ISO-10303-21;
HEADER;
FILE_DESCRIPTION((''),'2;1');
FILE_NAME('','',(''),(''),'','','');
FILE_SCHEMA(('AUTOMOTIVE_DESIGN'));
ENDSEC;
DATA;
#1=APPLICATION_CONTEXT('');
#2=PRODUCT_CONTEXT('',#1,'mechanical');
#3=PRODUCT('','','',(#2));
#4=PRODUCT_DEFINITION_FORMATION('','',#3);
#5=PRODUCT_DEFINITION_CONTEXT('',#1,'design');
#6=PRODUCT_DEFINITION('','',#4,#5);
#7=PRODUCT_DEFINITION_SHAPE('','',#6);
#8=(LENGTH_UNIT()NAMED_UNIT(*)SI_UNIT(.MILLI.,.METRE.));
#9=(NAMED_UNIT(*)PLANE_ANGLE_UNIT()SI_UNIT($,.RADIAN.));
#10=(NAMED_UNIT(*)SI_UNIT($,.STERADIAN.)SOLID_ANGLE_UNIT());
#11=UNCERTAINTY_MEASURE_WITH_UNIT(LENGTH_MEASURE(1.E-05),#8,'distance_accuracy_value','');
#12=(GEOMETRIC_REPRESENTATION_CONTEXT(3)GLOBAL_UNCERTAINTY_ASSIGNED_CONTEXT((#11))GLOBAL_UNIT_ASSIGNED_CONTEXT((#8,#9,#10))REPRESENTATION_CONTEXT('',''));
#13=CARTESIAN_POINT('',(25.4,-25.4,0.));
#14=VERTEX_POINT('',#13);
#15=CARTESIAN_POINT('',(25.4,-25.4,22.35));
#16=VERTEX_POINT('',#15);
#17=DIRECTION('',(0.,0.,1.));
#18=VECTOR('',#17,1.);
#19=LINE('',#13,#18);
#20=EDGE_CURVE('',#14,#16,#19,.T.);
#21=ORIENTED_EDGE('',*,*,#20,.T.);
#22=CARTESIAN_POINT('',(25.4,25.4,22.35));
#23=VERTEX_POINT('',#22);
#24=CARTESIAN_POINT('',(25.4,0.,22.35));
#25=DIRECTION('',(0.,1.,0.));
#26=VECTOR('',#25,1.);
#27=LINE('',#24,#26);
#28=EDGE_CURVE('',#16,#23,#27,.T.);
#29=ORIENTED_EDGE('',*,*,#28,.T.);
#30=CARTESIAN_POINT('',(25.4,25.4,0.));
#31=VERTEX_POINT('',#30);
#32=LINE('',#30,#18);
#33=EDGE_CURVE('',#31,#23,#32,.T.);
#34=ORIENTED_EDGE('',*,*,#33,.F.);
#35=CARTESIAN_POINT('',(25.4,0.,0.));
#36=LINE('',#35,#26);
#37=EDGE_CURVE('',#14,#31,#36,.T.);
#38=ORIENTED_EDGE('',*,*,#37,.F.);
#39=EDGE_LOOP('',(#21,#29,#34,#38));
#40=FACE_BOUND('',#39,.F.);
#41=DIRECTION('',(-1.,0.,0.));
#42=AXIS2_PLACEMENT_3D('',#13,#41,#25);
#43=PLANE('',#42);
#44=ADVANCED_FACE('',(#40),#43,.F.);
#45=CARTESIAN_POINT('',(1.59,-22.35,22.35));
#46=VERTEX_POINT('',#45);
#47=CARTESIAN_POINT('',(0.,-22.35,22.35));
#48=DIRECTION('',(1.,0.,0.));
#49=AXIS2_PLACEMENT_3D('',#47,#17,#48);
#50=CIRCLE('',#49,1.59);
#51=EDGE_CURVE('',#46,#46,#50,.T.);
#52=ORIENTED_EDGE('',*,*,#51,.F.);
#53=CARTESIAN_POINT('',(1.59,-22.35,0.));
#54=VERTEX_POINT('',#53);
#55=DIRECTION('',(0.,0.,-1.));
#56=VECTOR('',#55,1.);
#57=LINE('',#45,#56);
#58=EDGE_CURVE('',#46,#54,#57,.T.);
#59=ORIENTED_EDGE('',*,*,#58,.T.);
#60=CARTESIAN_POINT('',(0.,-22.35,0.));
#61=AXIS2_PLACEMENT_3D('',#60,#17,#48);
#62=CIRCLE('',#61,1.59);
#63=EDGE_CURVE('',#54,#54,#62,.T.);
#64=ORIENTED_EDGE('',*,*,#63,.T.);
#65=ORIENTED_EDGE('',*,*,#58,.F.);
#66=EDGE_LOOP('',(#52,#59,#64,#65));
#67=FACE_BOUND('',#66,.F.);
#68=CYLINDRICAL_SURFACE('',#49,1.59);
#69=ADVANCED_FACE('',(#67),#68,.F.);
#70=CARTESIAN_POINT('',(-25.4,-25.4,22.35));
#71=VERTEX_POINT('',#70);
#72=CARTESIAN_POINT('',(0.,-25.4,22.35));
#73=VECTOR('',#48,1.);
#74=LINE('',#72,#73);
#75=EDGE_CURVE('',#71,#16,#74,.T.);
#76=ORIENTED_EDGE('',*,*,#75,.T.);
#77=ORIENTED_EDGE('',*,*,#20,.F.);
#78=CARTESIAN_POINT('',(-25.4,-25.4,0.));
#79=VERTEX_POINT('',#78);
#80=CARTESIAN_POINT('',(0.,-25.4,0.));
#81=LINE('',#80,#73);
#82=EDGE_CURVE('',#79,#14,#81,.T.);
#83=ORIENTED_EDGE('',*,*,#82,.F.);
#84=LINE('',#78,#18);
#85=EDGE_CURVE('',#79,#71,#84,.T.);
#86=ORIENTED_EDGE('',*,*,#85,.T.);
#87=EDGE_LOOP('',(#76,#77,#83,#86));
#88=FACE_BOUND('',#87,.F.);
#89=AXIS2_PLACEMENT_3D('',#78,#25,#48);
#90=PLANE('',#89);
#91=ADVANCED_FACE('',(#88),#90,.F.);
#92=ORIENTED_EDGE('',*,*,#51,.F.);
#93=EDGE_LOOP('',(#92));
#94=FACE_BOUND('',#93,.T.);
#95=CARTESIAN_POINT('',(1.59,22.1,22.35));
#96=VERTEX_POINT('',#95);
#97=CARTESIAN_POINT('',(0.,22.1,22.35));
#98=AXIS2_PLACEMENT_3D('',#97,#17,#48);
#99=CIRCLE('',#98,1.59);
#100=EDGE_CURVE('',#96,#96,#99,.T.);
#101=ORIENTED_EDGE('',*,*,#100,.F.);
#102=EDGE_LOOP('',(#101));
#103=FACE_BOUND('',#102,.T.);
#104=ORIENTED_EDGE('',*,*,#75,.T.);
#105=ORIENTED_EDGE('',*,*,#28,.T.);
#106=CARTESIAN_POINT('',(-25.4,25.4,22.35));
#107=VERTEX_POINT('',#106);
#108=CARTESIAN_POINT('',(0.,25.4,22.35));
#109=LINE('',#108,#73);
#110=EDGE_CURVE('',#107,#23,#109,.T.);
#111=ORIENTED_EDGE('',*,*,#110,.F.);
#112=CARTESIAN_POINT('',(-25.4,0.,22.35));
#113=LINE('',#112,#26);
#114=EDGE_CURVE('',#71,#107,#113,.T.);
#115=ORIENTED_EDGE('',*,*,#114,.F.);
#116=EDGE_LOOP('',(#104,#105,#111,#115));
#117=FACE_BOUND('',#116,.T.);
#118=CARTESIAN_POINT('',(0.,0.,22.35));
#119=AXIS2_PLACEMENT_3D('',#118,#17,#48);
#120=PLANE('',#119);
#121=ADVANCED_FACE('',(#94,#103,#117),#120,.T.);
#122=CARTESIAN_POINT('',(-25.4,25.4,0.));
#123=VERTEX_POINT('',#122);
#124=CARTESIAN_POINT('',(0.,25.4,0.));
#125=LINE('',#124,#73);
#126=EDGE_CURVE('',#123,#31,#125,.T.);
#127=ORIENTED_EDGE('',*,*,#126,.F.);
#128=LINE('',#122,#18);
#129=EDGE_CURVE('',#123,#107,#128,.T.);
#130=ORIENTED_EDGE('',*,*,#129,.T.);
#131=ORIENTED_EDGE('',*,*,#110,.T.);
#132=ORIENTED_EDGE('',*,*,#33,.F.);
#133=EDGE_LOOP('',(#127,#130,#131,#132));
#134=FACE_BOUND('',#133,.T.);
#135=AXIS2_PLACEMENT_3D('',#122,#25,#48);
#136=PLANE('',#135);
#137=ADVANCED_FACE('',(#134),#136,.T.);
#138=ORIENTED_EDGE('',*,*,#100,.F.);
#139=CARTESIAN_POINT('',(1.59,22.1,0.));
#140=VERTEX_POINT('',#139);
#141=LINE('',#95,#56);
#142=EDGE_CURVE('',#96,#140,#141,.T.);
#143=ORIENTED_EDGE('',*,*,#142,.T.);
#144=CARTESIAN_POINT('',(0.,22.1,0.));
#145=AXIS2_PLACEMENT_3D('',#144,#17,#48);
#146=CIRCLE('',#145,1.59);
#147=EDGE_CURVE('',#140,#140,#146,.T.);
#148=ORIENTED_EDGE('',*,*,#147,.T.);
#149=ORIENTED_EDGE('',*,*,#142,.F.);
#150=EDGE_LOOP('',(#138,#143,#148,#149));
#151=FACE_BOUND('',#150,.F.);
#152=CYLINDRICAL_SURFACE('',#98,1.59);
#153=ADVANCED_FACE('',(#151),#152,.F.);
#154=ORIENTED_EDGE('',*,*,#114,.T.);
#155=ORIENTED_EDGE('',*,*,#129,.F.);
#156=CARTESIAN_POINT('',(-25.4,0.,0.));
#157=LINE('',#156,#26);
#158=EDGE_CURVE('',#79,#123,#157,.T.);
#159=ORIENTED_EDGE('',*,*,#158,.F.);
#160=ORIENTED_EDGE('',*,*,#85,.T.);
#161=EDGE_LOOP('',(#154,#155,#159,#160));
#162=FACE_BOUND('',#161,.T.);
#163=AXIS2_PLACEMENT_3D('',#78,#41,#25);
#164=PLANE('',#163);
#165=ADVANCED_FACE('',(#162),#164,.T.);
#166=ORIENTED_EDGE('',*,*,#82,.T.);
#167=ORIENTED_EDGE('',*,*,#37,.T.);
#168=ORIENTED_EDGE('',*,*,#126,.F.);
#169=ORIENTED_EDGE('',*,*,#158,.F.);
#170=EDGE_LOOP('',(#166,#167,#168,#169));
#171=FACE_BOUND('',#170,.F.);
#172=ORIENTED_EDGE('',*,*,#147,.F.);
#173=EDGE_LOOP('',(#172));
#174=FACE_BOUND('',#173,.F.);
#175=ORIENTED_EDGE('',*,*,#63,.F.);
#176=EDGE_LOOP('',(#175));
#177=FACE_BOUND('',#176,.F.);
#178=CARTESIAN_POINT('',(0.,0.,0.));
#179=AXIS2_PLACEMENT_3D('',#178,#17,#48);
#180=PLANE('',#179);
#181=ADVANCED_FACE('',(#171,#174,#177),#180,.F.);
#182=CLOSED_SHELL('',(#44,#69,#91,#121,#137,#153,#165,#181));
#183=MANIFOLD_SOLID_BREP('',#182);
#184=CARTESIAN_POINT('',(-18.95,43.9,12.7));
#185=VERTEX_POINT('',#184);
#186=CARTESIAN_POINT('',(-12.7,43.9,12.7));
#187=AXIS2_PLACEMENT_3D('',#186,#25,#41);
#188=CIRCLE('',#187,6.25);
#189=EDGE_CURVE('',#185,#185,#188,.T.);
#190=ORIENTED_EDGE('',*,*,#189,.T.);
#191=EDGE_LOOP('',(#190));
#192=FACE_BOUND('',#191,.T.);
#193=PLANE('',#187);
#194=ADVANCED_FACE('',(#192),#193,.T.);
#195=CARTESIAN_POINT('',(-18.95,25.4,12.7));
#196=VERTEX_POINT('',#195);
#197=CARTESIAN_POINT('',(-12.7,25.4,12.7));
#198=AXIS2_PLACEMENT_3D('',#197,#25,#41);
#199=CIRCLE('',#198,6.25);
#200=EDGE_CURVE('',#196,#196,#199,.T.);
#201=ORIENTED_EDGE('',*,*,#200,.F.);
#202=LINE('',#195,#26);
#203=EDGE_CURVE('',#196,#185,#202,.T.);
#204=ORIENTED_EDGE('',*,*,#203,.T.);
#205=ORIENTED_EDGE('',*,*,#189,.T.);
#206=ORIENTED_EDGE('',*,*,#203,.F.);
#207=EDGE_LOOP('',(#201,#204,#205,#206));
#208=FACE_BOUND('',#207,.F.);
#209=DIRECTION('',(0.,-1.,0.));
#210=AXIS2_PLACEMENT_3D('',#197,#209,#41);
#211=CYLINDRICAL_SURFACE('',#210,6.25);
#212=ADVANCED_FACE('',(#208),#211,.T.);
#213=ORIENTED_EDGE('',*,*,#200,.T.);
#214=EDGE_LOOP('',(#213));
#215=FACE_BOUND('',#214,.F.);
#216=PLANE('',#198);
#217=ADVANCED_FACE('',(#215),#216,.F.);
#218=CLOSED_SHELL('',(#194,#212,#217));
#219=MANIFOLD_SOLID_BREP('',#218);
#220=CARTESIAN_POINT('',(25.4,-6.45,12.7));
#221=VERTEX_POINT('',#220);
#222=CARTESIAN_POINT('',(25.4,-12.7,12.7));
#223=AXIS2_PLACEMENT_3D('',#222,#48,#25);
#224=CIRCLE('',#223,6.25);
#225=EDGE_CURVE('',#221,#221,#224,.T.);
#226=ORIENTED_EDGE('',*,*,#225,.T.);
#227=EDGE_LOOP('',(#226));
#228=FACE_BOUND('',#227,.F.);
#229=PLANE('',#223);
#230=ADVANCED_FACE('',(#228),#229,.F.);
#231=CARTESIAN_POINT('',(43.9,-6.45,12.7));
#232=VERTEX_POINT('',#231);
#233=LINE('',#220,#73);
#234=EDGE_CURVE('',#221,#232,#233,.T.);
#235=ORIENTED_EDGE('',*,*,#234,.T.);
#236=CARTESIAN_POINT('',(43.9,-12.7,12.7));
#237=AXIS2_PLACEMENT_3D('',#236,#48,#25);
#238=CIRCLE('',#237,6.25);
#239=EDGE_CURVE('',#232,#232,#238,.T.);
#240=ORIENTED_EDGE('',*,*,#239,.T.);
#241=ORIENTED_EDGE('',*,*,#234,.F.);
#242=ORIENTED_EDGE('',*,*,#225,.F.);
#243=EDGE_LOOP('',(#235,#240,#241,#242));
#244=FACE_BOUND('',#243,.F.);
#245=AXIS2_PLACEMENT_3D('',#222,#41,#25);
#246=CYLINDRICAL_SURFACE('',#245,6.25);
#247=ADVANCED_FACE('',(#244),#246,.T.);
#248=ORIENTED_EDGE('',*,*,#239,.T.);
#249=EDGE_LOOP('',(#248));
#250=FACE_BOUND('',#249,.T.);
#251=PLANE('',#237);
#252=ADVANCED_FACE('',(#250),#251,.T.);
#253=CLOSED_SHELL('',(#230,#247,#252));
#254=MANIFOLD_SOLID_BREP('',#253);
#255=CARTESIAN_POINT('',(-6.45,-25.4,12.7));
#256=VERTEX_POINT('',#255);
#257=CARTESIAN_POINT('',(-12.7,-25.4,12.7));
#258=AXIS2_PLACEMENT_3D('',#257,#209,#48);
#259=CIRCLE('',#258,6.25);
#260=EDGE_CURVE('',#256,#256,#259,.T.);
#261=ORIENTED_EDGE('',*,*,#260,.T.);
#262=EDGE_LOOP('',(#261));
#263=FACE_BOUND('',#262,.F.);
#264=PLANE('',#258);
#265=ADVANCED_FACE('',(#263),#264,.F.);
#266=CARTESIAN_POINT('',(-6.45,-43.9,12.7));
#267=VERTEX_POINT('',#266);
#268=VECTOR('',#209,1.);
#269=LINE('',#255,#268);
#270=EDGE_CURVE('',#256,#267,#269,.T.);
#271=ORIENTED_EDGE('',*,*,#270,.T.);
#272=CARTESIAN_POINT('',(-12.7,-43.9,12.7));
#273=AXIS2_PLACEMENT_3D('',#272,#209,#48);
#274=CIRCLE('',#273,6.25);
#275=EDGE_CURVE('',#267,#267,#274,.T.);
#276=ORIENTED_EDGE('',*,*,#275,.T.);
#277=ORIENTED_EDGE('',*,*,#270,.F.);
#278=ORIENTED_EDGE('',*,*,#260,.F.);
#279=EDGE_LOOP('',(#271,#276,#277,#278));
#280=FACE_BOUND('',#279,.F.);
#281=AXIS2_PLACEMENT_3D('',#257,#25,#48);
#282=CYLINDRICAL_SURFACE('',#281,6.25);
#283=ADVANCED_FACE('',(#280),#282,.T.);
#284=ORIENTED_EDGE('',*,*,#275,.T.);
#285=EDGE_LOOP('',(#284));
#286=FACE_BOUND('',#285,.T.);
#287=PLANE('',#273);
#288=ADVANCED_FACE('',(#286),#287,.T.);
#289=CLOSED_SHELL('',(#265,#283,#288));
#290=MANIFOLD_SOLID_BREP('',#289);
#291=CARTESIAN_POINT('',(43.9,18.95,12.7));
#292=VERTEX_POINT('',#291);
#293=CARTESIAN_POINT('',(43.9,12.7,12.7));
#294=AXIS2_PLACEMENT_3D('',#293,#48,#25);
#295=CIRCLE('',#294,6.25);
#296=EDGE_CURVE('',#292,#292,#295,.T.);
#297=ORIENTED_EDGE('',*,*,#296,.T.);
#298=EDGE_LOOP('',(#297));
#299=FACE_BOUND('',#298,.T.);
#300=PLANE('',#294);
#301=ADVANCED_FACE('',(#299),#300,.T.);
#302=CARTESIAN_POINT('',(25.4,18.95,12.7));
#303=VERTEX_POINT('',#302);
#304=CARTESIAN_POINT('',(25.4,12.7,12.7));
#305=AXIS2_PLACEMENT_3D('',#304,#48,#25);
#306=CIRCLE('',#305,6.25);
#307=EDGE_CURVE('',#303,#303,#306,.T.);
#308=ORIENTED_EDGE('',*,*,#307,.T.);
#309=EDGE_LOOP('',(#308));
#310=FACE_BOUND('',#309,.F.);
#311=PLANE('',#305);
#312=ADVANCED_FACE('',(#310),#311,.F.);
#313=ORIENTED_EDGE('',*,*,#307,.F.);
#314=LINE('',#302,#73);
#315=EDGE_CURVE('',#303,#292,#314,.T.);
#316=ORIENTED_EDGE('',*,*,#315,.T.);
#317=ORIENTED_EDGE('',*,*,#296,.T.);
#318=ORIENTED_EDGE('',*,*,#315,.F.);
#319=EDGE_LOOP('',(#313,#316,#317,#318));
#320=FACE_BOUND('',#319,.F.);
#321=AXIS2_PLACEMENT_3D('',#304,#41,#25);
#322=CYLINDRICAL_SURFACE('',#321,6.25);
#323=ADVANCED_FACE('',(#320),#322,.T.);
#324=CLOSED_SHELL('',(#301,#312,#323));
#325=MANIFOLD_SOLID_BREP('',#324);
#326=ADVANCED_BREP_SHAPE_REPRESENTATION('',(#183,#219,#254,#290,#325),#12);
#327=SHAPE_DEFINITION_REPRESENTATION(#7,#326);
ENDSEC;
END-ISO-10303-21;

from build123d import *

# Parameters (mm, degrees)
F0_W      = 50.8
F0_H      = 50.8
F1_DEPTH  = 22.35
F3_R      = 6.25
F4_DEPTH  = 18.5
F5_R      = 6.25
F6_DEPTH  = 18.5
F7_R      = 6.25
F8_DEPTH  = 18.5
F9_R      = 1.59
F10_DEPTH = 22.351


with BuildPart() as f1:
    # F0 (on Top) → F1 (new body)
    with BuildSketch(Plane.XY):
        Rectangle(F0_W, F0_H)
    extrude(amount=F1_DEPTH)

    # F9 (on face) → F10 (cut, through all)
    with BuildSketch(Plane.XY.offset(22.35)):
        with Locations((0, 22.1)):
            Circle(F9_R)
        with Locations((0, -22.35)):
            Circle(F9_R)
    extrude(amount=-F10_DEPTH, mode=Mode.SUBTRACT)


with BuildPart() as f4:
    # F3 (on face) → F4 (new body)
    with BuildSketch(Plane.YZ.offset(25.4)):
        with Locations((-12.7, 12.7)):
            Circle(F3_R)
    extrude(amount=F4_DEPTH)


with BuildPart() as f4b:
    # F3 (on face) → F4, piece 2 (new body)
    with BuildSketch(Plane.YZ.offset(25.4)):
        with Locations((12.7, 12.7)):
            Circle(F3_R)
    extrude(amount=F4_DEPTH)


with BuildPart() as f6:
    # F5 (on face) → F6 (new body)
    with BuildSketch(Plane.XZ.offset(25.4)):
        with Locations((-12.7, 12.7)):
            Circle(F5_R)
    extrude(amount=F6_DEPTH)


with BuildPart() as f8:
    # F7 (on face) → F8 (new body)
    with BuildSketch(Plane(origin=(0, 25.4, 0), x_dir=(-1, 0, 0), z_dir=(0, 1, 0))):
        with Locations((12.7, 12.7)):
            Circle(F7_R)
    extrude(amount=F8_DEPTH)


solid = Compound([f1.part, f4.part, f4b.part, f6.part, f8.part])
